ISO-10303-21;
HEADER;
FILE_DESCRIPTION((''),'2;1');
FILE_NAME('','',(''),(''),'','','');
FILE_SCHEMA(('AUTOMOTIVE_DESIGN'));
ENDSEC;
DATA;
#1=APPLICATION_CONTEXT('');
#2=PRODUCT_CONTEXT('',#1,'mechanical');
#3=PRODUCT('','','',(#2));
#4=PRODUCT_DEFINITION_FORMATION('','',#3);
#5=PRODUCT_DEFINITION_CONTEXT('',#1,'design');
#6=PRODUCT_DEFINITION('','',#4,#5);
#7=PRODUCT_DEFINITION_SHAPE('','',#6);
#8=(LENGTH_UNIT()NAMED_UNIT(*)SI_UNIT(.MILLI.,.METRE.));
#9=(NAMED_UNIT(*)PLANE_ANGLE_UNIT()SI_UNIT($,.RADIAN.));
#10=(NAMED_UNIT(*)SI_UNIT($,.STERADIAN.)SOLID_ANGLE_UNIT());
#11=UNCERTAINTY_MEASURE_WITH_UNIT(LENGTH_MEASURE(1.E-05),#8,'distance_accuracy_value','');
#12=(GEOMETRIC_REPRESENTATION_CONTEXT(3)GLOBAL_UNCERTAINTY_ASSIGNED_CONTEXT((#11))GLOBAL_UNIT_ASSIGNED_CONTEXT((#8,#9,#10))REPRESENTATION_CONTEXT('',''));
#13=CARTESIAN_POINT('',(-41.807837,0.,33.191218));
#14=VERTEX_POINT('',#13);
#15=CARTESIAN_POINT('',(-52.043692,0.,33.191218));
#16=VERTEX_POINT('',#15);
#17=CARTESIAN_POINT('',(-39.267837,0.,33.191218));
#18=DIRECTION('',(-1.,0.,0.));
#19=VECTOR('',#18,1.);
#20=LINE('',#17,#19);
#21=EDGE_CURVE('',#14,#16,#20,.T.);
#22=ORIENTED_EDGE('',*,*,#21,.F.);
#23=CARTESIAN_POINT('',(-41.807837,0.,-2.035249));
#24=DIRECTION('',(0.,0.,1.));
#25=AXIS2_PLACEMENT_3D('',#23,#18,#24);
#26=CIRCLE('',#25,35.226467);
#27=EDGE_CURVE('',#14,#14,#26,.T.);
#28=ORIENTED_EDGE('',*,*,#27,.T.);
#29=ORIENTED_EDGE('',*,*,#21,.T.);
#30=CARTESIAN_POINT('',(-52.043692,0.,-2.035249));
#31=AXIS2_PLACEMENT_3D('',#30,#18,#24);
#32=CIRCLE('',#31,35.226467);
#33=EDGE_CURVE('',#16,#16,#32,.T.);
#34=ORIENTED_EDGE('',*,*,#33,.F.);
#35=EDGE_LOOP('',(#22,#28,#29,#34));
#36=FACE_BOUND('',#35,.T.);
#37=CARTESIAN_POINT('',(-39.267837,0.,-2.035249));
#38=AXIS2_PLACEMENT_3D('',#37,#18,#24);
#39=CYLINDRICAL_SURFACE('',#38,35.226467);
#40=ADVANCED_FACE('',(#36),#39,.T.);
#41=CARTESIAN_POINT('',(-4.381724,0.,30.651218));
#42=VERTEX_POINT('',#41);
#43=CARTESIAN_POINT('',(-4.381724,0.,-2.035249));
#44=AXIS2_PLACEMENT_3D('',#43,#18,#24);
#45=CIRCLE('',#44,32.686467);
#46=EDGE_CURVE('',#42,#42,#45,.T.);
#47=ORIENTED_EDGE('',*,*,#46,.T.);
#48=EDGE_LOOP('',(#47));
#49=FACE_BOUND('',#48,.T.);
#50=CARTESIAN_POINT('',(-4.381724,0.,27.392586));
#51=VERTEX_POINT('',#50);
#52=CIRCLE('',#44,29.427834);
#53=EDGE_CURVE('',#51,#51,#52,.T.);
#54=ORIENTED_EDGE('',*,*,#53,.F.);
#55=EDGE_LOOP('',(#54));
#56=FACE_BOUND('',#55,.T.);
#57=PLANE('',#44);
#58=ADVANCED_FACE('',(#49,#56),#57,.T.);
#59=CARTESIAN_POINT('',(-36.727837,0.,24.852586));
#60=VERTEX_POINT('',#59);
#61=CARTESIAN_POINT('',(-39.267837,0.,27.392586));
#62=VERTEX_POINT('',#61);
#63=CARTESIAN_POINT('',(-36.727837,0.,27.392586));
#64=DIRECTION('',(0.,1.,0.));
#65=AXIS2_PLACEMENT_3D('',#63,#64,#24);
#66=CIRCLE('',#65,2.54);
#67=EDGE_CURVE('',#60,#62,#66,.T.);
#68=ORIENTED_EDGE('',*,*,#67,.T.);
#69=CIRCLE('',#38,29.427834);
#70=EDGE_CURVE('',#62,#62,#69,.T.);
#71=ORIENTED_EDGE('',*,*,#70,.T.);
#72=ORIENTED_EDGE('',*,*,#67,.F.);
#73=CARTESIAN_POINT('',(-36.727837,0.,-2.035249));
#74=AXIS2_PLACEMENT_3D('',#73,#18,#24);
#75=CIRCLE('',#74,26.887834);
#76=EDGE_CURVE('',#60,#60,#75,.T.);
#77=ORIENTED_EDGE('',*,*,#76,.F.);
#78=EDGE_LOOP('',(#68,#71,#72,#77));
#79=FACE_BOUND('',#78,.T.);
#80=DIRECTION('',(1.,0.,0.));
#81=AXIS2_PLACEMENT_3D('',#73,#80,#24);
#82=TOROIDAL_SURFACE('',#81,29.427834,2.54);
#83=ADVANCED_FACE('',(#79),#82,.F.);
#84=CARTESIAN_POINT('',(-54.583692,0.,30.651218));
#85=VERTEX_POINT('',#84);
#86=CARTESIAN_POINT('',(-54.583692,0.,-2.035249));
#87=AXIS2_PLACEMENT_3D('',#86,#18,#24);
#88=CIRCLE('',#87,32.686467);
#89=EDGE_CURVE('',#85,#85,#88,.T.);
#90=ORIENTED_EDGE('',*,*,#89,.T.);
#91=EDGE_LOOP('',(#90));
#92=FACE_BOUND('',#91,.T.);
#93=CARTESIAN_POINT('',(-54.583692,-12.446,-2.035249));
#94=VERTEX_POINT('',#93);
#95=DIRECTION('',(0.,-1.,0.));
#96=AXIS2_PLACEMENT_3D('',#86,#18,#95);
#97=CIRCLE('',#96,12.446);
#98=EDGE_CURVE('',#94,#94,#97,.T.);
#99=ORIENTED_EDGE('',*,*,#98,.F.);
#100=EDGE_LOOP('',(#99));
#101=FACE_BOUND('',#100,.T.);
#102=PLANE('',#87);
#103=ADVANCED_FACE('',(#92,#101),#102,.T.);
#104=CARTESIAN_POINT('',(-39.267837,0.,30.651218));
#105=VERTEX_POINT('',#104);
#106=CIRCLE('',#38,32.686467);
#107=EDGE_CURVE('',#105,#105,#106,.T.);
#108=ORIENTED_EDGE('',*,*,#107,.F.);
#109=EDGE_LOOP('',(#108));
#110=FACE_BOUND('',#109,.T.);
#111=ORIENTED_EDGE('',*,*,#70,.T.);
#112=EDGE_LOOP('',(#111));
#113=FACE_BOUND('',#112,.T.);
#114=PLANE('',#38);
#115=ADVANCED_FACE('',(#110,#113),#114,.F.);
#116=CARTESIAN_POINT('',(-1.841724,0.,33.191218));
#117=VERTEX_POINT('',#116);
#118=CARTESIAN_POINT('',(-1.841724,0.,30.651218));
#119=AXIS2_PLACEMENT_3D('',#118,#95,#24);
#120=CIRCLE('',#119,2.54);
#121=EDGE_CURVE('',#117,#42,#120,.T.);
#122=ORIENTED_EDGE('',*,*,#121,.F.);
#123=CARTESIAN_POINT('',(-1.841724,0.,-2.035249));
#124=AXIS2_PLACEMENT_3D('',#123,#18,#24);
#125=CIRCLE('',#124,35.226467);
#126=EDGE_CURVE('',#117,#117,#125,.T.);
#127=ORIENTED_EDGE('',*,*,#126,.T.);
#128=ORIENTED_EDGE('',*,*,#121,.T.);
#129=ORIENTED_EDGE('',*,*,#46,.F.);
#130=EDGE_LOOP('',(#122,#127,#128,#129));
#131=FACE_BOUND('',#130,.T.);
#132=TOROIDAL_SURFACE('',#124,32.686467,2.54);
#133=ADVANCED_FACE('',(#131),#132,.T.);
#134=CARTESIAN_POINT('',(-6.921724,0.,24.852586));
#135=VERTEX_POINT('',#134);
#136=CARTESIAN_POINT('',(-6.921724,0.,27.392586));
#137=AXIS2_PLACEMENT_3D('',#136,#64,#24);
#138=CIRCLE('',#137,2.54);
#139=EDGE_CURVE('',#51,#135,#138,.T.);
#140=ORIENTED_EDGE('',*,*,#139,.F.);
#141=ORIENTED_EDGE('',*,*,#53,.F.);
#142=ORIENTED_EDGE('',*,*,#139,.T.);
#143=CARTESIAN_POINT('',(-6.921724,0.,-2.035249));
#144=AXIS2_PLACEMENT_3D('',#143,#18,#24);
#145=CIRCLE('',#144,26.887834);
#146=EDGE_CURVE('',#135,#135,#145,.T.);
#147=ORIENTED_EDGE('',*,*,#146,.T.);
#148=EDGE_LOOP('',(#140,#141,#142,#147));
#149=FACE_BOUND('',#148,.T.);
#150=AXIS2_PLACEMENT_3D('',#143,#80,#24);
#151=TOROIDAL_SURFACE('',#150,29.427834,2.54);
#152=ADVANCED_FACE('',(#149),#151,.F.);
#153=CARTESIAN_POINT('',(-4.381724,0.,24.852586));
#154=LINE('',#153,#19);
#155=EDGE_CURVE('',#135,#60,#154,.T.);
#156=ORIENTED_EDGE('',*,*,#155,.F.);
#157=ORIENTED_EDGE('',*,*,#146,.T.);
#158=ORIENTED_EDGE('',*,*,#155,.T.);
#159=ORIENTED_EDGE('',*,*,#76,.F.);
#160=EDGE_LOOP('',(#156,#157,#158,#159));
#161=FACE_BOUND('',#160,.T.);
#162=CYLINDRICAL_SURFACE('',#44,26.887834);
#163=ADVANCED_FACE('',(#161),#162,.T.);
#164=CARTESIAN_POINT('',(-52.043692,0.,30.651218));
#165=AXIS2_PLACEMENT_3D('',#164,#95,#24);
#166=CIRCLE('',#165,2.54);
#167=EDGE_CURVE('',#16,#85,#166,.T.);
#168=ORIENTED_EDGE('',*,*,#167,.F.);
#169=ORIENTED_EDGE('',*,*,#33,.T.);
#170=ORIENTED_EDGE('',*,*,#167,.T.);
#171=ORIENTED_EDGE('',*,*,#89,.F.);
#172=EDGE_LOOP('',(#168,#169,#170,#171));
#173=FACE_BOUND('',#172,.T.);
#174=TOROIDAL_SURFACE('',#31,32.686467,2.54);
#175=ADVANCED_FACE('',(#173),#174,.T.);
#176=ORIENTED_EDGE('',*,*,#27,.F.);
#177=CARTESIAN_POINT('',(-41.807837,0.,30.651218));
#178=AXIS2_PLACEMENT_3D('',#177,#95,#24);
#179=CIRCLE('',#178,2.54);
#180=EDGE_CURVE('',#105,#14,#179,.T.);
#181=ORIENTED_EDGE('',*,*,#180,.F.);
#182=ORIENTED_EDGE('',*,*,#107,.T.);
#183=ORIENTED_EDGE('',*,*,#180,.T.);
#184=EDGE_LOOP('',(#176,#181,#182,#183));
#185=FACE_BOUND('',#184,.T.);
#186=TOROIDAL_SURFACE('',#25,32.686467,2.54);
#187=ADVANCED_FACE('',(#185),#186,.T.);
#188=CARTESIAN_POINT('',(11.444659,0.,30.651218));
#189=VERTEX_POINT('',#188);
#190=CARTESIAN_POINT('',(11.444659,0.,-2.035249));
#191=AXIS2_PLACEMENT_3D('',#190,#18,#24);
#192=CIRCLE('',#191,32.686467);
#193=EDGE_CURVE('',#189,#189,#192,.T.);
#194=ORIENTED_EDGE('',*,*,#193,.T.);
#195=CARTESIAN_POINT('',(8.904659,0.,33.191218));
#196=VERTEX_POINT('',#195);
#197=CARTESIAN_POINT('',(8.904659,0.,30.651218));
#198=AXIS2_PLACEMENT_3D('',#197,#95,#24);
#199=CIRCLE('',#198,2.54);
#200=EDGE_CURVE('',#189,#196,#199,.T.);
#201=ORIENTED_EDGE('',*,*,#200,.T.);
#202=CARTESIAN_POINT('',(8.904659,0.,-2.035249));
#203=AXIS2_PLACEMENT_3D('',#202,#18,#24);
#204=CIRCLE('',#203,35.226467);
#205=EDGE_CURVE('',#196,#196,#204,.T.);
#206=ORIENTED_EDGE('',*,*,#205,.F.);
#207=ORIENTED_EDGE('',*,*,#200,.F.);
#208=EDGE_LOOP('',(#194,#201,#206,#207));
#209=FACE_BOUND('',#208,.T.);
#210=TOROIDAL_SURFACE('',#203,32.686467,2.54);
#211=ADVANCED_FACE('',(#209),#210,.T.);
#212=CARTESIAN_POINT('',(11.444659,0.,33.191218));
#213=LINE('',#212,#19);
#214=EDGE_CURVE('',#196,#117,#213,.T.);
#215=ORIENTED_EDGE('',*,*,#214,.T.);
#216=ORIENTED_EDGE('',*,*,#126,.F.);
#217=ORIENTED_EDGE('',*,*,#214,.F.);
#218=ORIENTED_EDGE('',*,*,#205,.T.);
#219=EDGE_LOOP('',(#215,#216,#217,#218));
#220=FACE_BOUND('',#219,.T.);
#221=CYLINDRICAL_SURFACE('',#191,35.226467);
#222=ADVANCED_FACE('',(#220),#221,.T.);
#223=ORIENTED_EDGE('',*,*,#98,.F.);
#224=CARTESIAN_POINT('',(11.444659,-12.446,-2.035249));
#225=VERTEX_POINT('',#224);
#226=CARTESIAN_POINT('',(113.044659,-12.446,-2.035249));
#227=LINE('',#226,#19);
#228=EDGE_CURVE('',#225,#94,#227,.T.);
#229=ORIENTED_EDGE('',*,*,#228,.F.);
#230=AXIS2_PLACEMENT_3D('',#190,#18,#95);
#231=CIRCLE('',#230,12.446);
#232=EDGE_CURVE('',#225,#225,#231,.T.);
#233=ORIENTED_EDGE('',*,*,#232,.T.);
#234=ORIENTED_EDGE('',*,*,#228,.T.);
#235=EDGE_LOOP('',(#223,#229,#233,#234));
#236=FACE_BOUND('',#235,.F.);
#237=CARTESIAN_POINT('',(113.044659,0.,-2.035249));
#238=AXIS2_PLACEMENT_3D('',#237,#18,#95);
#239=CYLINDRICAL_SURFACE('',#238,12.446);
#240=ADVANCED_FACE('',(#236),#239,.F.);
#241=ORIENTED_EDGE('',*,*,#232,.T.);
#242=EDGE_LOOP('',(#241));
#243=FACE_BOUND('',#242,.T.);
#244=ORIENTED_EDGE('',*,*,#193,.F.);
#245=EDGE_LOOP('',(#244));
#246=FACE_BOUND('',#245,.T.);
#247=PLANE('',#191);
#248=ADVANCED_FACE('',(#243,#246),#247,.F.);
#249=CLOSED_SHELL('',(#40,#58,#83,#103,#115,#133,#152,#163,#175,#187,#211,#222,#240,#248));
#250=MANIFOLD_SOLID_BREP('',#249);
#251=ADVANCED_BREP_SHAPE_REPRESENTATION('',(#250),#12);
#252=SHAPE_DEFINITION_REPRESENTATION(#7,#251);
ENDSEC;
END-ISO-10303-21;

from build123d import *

# Parameters (mm, degrees)
F2_R     = 2.54
F4_D     = 24.892
F4_DEPTH = 101.6
F4_TIP   = 7.4783112644


with BuildPart() as f1:
    # F0 (on Front) → F1 (revolve)
    with BuildSketch(Plane.XZ):
        Polygon((-39.2678369393, 33.1912179422), (-54.5836920168, 33.1912179422), (-54.5836920168, -2.0352486931), (-39.2678369393, -2.0352486931), (-39.2678369393, 6.3033834775), (-4.3817243393, 6.3033834775), (-4.3817243393, -2.0352486931), (11.4446589973, -2.0352486931), (11.4446589973, 33.1912179422), (-4.3817243393, 33.1912179422), (-4.3817243393, 24.8525857715), (-39.2678369393, 24.8525857715), align=None)
    revolve(axis=Axis((-46.925764478, 0, -2.0352486931), (-1, 0, 0)))

    # F2
    f2_edges = [f1.edges().sort_by_distance(p)[0] for p in [
        (11.444659, 0, -37.261715),
        (-54.583692, 0, -37.261715),
        (-39.267837, 0, -37.261715),
        (-4.381724, 0, -37.261715),
        (-4.381724, 0, -28.923083),
        (-39.267837, 0, -28.923083),
    ]]
    fillet(f2_edges, radius=F2_R)

    # F4
    with Locations(Plane.YZ.offset(11.4446589973)):
        with Locations((0, -2.0352486931)):
            Hole(F4_D / 2, depth=F4_DEPTH)
            with Locations((0, 0, -(F4_DEPTH + F4_TIP / 2))):  # 118° drill point
                Cone(0, F4_D / 2, F4_TIP, mode=Mode.SUBTRACT)


solid = f1.part
